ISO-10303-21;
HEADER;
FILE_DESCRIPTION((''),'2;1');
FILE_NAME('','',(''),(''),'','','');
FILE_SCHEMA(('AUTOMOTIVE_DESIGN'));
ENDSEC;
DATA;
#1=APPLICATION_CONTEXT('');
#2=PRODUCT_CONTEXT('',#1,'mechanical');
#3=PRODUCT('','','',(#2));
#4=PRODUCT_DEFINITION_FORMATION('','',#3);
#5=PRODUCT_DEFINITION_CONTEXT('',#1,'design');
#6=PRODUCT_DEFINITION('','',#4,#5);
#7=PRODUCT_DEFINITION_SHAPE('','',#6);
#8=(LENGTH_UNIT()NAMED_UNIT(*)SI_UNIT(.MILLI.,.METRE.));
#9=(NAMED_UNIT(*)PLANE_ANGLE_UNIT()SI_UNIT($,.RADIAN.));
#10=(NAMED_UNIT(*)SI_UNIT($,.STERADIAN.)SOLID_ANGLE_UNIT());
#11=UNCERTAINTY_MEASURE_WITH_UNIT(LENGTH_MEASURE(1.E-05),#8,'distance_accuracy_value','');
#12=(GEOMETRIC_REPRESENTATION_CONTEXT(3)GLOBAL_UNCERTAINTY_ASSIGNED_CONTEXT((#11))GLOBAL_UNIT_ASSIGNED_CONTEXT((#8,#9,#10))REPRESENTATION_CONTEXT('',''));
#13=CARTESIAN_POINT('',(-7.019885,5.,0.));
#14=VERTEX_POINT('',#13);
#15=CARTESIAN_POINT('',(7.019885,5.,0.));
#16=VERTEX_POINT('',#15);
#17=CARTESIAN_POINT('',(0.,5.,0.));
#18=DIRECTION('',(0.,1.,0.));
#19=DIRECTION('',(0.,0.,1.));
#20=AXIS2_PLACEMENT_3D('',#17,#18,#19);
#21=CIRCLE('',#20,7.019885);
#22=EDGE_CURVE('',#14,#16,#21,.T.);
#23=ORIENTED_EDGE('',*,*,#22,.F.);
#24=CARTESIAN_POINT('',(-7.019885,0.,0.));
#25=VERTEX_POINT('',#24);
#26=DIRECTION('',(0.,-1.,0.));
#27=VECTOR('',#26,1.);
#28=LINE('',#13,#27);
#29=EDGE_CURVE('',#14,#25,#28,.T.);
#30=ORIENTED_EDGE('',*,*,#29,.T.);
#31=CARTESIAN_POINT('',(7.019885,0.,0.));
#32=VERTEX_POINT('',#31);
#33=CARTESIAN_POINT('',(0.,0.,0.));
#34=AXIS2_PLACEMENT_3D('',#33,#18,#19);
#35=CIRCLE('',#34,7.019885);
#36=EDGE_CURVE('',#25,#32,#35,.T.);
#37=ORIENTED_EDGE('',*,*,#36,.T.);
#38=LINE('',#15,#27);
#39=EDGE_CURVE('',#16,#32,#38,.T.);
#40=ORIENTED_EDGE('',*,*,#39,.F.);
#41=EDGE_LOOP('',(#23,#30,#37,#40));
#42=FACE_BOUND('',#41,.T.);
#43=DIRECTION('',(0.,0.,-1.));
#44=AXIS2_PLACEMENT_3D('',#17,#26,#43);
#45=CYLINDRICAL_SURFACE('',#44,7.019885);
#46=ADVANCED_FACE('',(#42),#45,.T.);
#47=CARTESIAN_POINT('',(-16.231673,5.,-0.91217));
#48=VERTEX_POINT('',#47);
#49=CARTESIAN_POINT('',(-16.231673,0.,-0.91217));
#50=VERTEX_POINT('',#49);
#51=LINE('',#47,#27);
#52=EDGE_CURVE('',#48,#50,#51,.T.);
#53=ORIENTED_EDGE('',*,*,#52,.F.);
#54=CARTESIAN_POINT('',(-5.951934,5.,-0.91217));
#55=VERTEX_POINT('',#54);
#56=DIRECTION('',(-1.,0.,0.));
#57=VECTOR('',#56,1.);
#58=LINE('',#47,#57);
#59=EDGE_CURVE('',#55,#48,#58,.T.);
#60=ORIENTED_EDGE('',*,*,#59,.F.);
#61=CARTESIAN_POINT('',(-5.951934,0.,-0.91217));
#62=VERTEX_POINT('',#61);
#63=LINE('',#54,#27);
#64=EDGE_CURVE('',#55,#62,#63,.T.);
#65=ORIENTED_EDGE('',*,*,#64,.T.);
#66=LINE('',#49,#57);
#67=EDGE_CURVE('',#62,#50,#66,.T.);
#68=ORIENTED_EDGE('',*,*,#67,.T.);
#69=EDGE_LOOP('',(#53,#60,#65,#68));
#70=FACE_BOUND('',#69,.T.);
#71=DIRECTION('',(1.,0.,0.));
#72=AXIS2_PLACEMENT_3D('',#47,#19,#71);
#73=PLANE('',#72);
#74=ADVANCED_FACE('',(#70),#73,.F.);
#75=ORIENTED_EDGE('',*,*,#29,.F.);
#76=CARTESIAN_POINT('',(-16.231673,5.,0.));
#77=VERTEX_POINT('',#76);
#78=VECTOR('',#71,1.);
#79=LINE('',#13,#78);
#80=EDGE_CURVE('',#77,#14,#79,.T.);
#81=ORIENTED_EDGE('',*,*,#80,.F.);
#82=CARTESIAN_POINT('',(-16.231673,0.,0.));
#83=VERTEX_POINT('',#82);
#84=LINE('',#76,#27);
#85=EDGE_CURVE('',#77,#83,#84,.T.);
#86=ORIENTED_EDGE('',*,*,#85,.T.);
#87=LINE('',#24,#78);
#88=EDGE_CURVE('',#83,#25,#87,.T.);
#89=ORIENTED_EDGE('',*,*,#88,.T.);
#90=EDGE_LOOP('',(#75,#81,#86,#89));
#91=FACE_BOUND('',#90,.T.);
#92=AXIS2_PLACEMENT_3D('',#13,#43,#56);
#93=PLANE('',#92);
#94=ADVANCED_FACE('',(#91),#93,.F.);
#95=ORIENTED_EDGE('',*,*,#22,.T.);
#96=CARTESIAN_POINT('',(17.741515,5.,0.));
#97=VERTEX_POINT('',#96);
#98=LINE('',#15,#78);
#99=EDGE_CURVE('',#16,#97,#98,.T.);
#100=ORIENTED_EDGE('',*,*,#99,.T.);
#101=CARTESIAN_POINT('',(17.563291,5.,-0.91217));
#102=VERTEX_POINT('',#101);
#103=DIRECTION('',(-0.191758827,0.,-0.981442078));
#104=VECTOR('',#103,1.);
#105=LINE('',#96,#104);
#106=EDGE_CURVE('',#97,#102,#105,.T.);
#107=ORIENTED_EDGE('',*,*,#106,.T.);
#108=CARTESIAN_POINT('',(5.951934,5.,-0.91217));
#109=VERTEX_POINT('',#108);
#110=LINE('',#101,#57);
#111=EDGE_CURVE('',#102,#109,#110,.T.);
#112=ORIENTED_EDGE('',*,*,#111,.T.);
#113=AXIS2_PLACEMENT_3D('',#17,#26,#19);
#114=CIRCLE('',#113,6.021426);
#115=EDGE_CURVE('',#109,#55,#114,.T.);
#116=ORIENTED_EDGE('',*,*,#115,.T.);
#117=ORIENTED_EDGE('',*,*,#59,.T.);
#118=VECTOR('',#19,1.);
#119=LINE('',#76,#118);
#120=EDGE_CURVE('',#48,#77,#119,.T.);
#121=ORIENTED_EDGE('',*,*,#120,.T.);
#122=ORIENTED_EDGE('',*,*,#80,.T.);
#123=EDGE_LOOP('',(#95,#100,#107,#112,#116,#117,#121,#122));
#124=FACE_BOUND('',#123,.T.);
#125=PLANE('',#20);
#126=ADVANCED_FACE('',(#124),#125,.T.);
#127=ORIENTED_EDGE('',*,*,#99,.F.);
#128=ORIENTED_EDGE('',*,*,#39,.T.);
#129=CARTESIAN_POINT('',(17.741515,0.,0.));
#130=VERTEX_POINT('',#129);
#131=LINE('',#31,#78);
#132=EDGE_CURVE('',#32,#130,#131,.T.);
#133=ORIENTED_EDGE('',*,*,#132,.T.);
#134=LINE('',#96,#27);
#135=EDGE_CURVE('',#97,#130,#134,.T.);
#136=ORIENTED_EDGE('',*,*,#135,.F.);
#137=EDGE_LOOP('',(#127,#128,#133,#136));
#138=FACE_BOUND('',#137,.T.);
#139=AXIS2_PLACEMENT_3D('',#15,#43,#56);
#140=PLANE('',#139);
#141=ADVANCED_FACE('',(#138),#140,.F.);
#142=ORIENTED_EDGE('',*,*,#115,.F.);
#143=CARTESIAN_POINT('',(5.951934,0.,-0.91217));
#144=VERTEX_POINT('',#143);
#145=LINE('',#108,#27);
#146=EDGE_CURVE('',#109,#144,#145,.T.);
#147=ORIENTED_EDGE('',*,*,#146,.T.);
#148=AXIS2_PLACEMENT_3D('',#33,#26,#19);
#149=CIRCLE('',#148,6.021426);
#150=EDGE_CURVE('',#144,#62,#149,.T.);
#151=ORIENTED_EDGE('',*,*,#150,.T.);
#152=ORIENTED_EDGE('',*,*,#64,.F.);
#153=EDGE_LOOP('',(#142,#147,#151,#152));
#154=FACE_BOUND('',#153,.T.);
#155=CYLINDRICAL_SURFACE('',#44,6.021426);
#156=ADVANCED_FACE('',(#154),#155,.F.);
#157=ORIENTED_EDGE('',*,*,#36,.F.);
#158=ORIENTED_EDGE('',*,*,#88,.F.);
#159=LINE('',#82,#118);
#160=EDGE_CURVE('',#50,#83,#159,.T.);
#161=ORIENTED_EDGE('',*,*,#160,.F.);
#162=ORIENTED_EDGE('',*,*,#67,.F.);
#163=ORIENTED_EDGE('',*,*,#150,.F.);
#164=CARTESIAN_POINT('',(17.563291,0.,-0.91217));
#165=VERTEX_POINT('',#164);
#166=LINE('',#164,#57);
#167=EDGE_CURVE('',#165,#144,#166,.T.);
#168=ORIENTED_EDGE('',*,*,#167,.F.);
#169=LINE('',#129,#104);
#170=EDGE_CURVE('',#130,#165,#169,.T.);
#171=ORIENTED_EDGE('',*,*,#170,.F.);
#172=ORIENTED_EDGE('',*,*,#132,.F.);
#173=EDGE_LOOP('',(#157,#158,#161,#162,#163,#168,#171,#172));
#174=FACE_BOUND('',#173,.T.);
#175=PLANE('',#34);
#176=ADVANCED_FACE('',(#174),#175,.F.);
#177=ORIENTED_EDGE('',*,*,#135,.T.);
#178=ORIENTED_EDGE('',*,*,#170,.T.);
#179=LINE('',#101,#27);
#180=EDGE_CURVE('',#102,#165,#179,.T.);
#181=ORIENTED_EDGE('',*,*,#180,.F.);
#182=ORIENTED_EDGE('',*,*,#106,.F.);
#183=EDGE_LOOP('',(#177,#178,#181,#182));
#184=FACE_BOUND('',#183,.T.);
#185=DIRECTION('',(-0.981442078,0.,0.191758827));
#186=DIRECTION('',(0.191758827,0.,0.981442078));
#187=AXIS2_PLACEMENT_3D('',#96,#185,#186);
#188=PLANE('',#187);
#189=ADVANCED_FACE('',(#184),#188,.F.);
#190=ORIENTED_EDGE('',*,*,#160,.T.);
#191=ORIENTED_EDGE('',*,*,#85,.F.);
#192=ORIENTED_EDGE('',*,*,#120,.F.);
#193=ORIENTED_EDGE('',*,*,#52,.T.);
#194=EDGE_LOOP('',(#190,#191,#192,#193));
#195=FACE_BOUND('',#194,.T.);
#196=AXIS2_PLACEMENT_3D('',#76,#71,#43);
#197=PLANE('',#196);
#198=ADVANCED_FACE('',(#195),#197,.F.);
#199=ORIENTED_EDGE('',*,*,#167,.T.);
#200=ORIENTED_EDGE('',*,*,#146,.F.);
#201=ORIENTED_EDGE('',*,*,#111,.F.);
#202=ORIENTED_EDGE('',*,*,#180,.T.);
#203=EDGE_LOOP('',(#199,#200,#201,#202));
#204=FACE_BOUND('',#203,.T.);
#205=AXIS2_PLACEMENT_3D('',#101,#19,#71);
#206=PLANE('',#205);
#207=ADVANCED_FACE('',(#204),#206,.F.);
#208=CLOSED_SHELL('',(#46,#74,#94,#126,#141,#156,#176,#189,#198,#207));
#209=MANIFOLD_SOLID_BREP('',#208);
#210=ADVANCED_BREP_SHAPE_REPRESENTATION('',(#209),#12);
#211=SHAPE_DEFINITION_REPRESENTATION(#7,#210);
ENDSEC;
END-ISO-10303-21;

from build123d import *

# Parameters (mm, degrees)
BOSS_EXTRUDE2_DEPTH = 5


with BuildPart() as part:
    # Sketch1 → Boss-Extrude2 (new body)
    with BuildSketch(Plane(origin=(0, 0, 0), x_dir=(1, 0, 0), z_dir=(0, 1, 0))):
        with BuildLine():
            Line((-7.01988506, 0), (-16.23167261, 0))
            Line((-16.23167261, 0), (-16.23167261, 0.912169861))
            Line((-16.23167261, 0.912169861), (-5.951933661, 0.912169861))
            ThreePointArc((-5.951933661, 0.912169861), (0, -6.021425759), (5.951933661, 0.912169861))
            Line((5.951933661, 0.912169861), (17.563290649, 0.912169861))
            Line((17.563290649, 0.912169861), (17.741514741, 0))
            Line((17.741514741, 0), (7.01988506, 0))
            ThreePointArc((7.01988506, 0), (0, -7.01988506), (-7.01988506, 0))
        make_face()
    extrude(amount=BOSS_EXTRUDE2_DEPTH)


solid = part.part
